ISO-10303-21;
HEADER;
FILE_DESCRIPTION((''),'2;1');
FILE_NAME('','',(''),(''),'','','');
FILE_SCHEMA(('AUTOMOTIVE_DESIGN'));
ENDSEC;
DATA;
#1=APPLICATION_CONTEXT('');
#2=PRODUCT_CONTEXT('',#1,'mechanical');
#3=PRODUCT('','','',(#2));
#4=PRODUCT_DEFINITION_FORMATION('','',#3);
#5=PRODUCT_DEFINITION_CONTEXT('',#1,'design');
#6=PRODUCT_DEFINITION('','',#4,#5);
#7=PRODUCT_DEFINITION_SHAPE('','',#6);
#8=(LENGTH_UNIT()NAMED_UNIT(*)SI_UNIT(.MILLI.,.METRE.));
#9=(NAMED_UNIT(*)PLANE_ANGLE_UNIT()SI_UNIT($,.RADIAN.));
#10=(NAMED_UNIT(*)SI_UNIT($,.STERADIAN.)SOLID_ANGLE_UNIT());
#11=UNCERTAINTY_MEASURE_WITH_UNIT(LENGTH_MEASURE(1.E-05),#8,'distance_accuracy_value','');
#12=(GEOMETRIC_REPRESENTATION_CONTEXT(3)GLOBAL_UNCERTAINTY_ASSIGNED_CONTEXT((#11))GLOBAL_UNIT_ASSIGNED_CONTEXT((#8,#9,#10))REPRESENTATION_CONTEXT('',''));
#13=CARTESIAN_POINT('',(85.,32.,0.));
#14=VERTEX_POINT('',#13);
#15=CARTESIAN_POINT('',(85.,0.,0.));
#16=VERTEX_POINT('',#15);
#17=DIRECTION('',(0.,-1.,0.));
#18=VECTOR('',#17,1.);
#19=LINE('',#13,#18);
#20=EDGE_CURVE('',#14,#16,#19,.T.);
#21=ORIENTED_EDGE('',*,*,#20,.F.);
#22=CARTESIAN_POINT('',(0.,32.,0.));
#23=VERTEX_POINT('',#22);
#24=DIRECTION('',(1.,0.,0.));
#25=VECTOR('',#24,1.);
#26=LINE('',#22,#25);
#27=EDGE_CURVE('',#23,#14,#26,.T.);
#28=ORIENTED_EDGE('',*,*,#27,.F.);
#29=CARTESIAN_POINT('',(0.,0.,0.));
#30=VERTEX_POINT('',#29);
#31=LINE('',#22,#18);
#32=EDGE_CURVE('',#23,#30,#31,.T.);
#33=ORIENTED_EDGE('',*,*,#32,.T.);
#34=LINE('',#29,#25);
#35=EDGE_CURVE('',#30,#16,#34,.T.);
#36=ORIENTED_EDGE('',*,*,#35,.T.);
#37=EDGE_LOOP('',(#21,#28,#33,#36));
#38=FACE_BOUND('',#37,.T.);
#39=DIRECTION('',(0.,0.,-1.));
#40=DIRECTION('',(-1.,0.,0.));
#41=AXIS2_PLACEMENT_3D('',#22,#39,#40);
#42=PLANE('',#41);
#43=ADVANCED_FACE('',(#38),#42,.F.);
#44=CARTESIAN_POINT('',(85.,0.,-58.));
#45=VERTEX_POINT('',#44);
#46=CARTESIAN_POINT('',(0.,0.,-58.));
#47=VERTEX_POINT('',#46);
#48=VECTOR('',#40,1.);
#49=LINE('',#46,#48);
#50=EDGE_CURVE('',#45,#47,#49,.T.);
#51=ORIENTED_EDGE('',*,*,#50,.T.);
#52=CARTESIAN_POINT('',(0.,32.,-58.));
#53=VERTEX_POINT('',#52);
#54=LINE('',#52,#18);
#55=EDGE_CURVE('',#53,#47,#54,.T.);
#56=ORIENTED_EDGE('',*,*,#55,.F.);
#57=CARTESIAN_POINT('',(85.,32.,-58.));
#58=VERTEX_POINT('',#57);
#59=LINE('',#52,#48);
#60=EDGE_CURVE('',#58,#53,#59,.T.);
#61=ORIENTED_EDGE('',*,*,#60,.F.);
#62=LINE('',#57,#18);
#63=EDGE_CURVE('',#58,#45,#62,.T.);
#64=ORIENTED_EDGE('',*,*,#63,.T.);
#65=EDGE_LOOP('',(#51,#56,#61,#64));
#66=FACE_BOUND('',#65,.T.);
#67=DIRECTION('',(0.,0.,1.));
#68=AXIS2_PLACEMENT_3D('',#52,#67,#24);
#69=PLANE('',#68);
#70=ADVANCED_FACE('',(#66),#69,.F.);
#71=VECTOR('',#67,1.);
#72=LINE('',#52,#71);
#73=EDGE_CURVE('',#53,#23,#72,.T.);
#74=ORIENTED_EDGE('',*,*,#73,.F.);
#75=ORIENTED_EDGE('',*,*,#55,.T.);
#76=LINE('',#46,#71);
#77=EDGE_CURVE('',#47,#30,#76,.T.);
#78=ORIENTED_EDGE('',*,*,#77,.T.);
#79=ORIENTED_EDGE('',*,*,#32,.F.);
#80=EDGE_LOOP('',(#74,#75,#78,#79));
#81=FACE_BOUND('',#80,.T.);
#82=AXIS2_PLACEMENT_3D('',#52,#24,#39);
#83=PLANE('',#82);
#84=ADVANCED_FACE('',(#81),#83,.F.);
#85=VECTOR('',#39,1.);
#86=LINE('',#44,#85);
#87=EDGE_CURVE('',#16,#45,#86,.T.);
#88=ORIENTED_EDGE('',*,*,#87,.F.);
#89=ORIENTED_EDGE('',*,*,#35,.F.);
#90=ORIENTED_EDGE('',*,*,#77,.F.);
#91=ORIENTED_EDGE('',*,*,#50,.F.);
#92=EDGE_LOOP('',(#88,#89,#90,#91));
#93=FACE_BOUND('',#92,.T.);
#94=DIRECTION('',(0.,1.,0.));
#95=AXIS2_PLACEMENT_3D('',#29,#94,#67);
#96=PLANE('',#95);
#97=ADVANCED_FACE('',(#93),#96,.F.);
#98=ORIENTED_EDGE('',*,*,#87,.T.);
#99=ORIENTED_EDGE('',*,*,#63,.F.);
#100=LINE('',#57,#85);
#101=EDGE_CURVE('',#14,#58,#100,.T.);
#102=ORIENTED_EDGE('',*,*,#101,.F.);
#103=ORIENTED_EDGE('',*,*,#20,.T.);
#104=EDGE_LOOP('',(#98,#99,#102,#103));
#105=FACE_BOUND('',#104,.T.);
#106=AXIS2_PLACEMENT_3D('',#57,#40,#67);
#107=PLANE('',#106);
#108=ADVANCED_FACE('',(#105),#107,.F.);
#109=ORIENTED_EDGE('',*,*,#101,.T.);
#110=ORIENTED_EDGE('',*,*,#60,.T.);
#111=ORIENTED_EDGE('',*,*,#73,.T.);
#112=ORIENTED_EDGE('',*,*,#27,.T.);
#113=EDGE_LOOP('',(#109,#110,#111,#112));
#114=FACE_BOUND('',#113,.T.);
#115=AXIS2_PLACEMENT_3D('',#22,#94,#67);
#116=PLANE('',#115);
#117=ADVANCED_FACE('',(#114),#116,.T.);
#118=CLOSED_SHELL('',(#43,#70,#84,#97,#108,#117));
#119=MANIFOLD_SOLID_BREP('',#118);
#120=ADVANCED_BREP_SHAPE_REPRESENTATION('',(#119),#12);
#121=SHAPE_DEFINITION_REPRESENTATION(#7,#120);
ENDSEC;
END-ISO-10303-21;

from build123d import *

# Parameters (mm, degrees)
SKETCH_1_W      = 85
SKETCH_1_H      = 58
EXTRUDE_1_DEPTH = 32


with BuildPart() as part:
    # 草图1 → 凸台-拉伸1 (new body)
    with BuildSketch(Plane(origin=(0, 0, 0), x_dir=(1, 0, 0), z_dir=(0, 1, 0))):
        with Locations((42.5, 29)):
            Rectangle(SKETCH_1_W, SKETCH_1_H)
    extrude(amount=EXTRUDE_1_DEPTH)


solid = part.part
